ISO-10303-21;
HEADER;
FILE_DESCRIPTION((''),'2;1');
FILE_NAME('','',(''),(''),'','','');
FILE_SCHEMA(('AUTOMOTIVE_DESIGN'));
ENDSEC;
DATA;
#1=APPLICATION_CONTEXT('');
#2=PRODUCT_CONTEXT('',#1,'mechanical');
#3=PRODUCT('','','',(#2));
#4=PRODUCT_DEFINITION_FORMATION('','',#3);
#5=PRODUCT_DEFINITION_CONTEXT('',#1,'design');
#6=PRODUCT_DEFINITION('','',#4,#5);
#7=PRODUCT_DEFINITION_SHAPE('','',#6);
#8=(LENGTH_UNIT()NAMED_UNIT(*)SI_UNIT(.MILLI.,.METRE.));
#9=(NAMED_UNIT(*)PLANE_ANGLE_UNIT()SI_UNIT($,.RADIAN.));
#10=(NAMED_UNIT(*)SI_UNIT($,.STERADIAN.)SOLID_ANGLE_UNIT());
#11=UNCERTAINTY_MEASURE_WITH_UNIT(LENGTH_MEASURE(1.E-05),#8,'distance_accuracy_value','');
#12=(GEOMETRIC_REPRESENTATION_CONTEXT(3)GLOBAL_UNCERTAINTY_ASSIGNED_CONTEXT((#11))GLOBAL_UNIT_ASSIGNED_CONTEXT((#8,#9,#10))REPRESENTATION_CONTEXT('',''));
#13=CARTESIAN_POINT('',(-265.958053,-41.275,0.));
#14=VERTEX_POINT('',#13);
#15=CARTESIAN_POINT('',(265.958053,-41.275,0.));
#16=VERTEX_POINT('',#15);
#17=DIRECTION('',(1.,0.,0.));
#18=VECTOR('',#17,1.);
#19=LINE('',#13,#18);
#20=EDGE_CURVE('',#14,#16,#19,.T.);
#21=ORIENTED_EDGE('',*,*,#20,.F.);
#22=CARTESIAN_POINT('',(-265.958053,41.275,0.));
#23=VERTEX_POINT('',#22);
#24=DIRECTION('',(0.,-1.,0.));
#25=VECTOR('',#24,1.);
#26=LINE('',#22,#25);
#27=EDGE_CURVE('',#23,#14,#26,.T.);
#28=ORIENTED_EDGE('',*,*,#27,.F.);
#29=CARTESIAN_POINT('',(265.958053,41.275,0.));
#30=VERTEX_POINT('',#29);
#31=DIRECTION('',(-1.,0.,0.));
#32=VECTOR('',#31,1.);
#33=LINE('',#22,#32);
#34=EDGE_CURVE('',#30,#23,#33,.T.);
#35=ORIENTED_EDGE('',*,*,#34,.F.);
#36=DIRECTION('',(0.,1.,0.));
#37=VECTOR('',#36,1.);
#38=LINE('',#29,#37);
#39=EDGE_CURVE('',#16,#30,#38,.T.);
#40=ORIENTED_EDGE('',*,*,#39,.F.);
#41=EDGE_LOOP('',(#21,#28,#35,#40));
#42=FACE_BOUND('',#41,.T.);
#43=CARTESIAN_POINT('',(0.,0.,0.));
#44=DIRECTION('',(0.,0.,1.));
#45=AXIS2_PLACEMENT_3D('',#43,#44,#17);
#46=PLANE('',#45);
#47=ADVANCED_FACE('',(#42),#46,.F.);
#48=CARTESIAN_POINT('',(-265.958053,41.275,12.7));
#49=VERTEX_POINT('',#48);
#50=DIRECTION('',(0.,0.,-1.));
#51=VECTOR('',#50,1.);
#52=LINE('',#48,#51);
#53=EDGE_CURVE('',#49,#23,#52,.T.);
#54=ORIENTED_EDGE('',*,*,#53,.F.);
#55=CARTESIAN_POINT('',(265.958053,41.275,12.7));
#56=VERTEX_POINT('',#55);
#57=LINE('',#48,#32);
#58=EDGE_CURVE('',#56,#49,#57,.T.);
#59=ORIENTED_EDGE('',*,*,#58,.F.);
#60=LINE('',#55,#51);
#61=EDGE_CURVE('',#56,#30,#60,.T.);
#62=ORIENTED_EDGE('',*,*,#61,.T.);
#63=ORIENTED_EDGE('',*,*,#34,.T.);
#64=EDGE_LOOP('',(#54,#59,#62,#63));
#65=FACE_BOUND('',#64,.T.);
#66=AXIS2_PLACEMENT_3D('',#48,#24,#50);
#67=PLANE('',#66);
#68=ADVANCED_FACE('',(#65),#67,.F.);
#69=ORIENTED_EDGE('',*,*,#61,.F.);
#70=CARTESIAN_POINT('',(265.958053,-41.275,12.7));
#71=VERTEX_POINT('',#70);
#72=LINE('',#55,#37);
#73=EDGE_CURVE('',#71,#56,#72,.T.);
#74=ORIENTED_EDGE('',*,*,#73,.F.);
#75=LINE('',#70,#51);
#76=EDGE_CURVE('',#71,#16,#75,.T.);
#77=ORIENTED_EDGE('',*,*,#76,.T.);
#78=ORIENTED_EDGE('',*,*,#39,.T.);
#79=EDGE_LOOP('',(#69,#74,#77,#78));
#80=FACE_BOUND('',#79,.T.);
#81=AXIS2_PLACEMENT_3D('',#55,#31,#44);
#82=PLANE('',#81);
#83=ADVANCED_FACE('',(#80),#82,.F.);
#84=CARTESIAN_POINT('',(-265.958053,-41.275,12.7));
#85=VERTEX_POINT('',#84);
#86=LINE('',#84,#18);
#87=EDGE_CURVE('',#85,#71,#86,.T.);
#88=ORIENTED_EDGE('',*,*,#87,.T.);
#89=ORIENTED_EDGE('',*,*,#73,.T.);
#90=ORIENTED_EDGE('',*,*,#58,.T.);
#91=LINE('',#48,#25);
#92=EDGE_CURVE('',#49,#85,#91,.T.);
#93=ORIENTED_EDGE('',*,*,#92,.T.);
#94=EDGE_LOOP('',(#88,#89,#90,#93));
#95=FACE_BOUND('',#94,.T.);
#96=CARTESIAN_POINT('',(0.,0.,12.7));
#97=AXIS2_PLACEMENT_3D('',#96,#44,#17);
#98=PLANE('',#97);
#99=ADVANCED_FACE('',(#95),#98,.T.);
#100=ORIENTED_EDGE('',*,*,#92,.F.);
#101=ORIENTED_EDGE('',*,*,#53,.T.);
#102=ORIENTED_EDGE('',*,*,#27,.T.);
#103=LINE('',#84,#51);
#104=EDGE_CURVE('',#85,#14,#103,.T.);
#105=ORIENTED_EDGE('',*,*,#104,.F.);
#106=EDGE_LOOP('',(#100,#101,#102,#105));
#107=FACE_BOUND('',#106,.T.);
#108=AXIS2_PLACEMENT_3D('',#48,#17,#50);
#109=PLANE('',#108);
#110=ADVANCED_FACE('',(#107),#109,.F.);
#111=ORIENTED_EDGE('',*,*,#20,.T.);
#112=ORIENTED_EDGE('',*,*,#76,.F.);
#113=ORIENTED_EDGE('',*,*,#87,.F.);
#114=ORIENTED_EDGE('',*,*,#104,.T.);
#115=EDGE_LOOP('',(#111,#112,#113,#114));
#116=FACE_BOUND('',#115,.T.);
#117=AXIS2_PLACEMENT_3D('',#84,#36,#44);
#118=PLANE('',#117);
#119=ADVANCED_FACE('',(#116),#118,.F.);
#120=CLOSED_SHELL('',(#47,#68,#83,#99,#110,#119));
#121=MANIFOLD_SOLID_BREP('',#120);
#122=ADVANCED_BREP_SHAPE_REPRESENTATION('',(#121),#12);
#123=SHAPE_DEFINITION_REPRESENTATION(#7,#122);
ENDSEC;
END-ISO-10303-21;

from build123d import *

# Parameters (mm, degrees)
ESQUISSE1_W        = 531.9161066
ESQUISSE1_H        = 82.55
BOSS_EXTRU_1_DEPTH = 12.7


with BuildPart() as part:
    # Esquisse1 → Boss.-Extru.1 (new body)
    with BuildSketch(Plane.XY):
        Rectangle(ESQUISSE1_W, ESQUISSE1_H)
    extrude(amount=BOSS_EXTRU_1_DEPTH)


solid = part.part
